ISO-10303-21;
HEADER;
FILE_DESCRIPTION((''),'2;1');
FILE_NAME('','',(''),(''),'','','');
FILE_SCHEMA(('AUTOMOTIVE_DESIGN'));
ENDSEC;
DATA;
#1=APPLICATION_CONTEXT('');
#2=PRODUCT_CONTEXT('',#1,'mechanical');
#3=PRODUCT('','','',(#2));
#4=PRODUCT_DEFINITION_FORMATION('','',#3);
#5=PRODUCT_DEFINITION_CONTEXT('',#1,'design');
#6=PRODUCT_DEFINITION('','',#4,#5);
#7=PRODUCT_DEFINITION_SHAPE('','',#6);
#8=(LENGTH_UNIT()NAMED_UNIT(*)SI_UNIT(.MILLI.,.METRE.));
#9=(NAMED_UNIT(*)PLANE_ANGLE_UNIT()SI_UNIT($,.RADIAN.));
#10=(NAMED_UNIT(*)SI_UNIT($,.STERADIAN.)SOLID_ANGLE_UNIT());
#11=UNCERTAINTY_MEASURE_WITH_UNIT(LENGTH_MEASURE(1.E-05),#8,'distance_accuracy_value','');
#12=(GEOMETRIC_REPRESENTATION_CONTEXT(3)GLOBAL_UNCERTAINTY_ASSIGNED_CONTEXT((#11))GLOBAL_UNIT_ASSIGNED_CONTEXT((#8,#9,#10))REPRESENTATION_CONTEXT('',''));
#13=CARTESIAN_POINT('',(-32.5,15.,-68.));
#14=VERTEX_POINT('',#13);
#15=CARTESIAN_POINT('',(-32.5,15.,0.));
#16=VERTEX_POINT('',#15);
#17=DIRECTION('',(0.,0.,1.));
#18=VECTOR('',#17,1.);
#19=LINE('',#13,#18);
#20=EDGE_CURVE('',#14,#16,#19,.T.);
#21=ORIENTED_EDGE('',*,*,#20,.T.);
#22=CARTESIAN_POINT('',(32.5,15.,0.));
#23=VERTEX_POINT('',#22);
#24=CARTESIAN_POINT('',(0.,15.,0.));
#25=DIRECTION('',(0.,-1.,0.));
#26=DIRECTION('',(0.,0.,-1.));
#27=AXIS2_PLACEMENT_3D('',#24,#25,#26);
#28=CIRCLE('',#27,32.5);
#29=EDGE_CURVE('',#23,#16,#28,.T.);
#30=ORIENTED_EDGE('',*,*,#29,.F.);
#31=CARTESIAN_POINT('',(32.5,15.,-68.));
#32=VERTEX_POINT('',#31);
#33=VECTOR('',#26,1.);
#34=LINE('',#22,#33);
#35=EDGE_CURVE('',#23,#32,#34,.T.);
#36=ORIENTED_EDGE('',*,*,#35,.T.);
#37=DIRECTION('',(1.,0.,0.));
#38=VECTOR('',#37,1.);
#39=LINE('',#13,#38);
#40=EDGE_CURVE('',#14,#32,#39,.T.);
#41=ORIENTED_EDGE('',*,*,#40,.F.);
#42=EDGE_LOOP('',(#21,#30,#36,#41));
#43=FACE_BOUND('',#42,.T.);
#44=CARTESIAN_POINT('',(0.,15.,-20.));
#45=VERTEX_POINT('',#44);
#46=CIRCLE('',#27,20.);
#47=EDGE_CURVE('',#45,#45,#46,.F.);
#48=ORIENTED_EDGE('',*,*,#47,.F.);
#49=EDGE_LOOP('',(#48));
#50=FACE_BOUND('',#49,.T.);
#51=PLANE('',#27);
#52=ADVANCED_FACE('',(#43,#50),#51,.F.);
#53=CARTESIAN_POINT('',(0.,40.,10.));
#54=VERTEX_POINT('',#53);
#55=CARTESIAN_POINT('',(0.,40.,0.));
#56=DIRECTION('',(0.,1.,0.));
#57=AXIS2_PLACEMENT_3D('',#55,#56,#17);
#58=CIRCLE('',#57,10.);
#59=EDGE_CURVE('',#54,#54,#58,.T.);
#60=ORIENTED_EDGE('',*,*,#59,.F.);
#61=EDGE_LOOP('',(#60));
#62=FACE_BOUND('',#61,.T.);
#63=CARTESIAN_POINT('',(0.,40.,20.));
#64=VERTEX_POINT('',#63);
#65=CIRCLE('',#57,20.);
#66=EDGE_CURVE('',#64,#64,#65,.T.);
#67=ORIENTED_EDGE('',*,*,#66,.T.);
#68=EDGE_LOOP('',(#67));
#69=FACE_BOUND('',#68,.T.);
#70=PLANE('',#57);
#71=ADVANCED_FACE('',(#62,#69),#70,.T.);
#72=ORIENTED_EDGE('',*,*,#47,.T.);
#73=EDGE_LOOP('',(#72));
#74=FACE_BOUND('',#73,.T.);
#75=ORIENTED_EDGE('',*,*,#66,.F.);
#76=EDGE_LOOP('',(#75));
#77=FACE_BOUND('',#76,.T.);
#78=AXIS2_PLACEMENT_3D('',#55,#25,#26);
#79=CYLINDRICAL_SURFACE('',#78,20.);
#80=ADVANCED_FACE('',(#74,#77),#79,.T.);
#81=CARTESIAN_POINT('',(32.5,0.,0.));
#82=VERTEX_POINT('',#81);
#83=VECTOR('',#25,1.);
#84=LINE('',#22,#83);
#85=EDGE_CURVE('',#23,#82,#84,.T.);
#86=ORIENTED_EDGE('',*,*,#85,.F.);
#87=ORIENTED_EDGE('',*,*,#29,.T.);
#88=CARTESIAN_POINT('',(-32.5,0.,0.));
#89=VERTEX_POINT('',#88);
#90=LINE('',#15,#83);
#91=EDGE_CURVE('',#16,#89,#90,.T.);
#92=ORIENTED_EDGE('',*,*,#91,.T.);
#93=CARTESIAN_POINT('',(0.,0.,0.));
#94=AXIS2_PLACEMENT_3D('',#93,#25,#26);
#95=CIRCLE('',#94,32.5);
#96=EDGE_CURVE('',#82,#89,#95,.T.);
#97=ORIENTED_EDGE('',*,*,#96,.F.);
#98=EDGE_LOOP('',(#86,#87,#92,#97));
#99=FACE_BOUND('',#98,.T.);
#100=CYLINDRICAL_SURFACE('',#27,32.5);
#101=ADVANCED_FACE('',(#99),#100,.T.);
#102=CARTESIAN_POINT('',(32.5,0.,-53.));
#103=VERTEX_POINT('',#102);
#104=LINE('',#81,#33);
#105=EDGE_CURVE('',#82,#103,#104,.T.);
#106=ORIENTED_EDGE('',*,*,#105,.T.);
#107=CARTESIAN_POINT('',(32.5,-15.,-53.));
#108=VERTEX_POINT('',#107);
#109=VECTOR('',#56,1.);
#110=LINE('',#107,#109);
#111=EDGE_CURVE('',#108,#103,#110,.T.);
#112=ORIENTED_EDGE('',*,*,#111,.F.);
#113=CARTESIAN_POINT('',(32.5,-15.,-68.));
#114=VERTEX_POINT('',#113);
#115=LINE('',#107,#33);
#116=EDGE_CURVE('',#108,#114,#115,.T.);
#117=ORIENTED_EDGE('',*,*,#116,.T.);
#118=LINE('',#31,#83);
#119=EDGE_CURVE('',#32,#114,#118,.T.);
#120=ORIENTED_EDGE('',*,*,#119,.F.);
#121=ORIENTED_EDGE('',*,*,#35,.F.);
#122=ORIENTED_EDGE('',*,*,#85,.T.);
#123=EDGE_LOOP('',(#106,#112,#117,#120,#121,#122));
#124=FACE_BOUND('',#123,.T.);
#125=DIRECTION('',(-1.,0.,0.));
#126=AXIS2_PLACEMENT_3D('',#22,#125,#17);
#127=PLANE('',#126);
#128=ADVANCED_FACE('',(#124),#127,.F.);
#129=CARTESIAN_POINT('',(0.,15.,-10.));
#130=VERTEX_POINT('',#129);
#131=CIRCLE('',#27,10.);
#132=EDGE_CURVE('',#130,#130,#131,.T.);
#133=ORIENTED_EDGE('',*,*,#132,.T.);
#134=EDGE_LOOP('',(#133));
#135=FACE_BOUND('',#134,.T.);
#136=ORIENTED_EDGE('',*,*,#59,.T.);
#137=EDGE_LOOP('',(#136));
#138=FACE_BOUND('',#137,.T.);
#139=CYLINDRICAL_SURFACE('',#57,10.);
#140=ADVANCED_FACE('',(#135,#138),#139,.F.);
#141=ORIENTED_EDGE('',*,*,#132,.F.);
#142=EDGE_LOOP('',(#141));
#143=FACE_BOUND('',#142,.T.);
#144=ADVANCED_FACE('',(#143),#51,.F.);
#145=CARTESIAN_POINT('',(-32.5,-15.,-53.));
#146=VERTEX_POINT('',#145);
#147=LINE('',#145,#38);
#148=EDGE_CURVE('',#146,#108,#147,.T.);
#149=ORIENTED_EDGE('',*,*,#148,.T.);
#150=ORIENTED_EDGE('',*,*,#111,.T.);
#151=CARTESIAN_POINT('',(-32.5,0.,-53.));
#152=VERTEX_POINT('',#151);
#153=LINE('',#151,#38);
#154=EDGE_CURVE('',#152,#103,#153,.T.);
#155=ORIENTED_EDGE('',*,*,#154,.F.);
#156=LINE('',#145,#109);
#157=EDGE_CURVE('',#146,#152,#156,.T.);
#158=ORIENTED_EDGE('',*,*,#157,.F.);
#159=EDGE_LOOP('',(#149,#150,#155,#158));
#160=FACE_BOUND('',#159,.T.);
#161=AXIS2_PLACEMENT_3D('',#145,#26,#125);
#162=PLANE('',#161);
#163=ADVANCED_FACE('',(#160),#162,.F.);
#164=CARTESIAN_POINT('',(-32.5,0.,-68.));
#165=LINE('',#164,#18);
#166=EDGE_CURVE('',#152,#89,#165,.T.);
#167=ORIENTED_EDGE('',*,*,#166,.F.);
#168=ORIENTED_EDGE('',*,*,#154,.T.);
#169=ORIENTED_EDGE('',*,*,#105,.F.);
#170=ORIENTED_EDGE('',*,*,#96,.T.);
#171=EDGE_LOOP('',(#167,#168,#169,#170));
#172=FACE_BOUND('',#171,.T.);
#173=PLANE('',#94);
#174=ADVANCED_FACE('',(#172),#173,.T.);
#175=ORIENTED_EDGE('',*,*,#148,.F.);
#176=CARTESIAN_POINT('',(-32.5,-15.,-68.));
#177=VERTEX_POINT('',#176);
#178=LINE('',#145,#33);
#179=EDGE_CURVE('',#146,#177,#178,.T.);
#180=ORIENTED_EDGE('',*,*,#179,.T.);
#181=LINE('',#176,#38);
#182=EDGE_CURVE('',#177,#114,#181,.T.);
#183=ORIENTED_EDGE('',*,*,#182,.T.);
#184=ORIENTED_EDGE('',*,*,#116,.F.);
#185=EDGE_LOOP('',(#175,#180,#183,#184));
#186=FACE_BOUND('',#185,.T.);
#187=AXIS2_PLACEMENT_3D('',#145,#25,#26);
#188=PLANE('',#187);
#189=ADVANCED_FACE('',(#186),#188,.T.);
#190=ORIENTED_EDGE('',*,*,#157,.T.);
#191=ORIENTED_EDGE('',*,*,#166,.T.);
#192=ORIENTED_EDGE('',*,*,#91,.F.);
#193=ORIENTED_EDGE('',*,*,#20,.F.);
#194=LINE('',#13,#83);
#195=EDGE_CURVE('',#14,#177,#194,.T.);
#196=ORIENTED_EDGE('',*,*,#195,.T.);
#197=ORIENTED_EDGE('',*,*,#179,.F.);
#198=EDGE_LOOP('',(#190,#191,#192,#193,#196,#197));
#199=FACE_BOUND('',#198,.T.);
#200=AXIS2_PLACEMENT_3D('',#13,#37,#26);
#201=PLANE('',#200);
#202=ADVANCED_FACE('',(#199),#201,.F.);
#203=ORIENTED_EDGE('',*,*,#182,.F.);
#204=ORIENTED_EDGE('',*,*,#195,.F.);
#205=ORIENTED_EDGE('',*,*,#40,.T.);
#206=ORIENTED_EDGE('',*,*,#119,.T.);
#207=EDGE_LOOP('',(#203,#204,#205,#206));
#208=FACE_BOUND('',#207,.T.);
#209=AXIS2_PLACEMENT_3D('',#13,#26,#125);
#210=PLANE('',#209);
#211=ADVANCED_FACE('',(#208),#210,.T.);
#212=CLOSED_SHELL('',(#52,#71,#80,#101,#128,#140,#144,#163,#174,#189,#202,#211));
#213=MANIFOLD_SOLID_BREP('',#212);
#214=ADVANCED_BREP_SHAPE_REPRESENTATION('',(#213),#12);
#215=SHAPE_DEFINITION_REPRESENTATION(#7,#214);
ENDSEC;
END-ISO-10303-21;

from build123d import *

# Parameters (mm, degrees)
EXTRUDE_1_DEPTH     = 15
SKETCH2_W           = 15
SKETCH2_H           = 15
EXTRUDE_2_DEPTH     = 65
SKETCH3_R           = 20
EXTRUDE_3_DEPTH     = 25
HOLE_WIZARD_1_D     = 20
HOLE_WIZARD_1_DEPTH = 25


with BuildPart() as part:
    # Sketch1 → 填料-伸長1 (new body)
    with BuildSketch(Plane(origin=(0, 0, 0), x_dir=(1, 0, 0), z_dir=(0, 1, 0))):
        with BuildLine():
            Line((32.5, 0), (32.5, 68))
            Line((32.5, 68), (-32.5, 68))
            Line((-32.5, 68), (-32.5, 0))
            ThreePointArc((-32.5, 0), (0, -32.5), (32.5, 0))
        make_face()
    extrude(amount=EXTRUDE_1_DEPTH)

    # Sketch2 → 填料-伸長2 (add, through all)
    with BuildSketch(Plane(origin=(32.5, 0, 0), x_dir=(0, 0, -1), z_dir=(1, 0, 0))):
        with Locations((60.5, -7.5)):
            Rectangle(SKETCH2_W, SKETCH2_H)
    extrude(amount=-EXTRUDE_2_DEPTH)

    # Sketch3 → 填料-伸長3 (add)
    with BuildSketch(Plane(origin=(0, 15, 0), x_dir=(-1, 0, 0), z_dir=(0, 1, 0))):
        with Locations(Location((0, 0, 0), (0, 0, 270))):
            Circle(SKETCH3_R)
    extrude(amount=EXTRUDE_3_DEPTH)

    # 鑽孔1
    with Locations(Plane(origin=(0, 40, 0), x_dir=(-1, 0, 0), z_dir=(0, 1, 0))):
        with Locations((0, 0)):
            Hole(HOLE_WIZARD_1_D / 2, depth=HOLE_WIZARD_1_DEPTH)


solid = part.part
